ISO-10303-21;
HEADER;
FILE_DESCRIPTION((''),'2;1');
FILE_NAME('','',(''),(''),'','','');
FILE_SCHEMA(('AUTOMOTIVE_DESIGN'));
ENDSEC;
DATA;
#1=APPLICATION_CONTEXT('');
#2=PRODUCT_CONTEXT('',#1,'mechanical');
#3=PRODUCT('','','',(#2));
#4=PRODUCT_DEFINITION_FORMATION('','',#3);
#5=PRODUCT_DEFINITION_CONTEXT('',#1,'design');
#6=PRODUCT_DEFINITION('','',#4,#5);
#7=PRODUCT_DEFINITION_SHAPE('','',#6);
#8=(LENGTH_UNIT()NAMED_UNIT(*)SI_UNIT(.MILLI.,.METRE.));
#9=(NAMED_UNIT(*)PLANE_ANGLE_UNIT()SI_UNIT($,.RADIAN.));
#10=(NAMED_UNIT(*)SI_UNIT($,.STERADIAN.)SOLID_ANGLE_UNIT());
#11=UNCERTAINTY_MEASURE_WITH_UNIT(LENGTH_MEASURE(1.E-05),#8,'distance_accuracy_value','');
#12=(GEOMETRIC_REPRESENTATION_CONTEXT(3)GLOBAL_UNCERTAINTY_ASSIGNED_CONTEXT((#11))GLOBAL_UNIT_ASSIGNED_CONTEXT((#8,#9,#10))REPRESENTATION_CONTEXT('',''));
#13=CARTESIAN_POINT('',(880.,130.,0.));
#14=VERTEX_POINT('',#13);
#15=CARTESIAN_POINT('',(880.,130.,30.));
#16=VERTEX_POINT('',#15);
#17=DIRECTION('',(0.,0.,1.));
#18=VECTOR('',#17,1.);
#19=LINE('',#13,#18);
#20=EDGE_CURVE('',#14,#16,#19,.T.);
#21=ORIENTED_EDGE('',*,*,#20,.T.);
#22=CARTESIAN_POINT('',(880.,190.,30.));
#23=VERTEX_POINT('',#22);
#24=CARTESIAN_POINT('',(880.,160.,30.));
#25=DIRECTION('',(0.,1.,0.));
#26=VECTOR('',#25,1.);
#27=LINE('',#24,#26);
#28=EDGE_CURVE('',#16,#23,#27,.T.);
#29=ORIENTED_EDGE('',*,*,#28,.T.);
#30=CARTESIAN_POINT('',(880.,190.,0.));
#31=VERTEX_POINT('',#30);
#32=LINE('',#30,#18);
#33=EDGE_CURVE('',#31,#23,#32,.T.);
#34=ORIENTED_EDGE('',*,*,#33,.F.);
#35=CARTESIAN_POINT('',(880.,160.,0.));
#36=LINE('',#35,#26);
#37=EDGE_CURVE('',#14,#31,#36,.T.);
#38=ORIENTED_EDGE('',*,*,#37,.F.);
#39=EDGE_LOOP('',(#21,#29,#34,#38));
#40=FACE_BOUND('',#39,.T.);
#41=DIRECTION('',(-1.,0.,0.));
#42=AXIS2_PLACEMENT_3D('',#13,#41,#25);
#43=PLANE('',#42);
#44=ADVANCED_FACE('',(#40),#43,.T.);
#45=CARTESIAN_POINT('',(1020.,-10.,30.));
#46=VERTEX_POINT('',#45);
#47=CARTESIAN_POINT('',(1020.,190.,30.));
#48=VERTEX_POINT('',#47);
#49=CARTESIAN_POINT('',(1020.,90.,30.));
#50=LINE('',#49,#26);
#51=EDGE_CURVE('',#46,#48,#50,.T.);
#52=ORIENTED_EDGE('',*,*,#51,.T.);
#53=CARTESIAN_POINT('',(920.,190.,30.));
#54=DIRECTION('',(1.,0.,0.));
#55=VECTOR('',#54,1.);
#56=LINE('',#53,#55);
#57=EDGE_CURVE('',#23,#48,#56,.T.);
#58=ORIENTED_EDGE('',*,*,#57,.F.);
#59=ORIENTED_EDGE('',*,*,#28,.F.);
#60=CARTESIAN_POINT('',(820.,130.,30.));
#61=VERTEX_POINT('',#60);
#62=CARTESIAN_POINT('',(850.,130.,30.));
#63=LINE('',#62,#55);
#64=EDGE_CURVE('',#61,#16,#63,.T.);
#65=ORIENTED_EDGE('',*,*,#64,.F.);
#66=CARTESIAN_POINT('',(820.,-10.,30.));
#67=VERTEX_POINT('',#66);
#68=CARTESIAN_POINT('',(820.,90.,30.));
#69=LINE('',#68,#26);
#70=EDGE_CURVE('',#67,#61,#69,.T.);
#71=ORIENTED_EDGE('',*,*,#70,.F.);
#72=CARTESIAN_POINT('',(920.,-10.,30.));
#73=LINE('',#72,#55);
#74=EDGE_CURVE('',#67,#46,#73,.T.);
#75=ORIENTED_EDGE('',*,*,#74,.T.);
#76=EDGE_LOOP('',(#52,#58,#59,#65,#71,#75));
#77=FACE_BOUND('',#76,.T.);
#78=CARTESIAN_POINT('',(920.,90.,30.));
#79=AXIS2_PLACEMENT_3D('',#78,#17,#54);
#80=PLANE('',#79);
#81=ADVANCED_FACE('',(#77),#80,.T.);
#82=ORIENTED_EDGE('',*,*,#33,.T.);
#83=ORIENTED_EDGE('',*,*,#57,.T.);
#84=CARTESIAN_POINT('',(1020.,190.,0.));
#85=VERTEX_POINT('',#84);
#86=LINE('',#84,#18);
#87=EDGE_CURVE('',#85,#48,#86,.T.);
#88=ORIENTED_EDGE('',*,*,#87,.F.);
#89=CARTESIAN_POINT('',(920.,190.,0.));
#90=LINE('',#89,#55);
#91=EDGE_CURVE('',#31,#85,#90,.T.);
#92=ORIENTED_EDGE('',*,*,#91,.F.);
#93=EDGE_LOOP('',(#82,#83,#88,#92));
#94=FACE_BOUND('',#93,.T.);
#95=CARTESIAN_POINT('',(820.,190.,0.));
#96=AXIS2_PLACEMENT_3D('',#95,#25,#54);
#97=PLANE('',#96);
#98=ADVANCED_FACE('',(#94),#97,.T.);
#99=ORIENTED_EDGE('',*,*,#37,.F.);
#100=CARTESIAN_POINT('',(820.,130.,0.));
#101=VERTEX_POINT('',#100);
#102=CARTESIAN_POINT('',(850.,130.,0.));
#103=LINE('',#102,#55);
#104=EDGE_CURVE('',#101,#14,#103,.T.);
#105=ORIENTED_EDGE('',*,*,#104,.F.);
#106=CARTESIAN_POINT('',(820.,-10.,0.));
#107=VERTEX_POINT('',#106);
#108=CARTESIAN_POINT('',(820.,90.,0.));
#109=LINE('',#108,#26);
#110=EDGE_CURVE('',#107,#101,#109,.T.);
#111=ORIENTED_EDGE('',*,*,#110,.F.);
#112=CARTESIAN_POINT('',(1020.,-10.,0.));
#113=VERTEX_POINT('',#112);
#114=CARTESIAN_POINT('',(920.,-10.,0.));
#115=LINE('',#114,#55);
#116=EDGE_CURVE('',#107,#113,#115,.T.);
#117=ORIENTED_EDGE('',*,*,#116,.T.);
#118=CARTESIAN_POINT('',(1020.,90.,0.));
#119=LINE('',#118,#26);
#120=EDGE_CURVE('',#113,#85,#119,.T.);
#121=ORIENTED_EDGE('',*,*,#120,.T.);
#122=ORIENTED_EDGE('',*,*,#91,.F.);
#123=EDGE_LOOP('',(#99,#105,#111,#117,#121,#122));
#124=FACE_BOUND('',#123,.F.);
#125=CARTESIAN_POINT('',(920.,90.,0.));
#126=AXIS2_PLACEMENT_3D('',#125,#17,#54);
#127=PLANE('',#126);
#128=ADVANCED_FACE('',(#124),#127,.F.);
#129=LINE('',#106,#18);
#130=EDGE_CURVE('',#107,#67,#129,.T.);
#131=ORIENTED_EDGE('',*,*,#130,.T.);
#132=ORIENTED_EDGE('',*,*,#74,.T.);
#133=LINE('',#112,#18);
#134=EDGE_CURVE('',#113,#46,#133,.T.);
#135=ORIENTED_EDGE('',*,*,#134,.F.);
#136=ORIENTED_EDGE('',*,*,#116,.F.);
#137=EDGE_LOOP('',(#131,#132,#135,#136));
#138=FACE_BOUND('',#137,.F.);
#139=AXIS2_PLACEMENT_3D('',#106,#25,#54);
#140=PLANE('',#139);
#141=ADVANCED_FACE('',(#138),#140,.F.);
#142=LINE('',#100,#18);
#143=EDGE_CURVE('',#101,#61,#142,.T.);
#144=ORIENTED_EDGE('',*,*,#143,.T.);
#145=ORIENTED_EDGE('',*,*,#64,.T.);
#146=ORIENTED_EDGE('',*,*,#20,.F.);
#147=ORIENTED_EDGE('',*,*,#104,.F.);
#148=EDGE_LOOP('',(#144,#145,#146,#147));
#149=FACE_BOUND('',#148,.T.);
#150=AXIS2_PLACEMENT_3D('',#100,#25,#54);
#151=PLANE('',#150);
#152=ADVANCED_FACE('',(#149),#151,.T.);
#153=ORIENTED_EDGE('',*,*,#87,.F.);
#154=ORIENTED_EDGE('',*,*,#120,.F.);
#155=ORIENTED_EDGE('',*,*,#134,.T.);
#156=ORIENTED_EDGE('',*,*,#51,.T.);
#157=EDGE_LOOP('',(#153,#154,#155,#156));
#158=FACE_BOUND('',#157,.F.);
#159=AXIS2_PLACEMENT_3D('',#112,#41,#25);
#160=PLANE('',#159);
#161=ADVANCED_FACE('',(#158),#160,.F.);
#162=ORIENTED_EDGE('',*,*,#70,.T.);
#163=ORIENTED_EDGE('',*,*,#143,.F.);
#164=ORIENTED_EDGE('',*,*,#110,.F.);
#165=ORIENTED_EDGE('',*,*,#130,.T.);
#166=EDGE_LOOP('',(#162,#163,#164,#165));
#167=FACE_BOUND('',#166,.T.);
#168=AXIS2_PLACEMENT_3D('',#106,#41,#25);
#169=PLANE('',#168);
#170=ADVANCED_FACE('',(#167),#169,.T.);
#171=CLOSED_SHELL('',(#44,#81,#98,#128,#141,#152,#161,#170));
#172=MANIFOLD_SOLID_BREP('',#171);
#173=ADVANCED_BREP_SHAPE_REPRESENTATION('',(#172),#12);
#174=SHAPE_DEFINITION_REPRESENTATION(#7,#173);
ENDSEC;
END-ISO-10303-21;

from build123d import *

# Parameters (mm, degrees)
BOX005_W     = 60
BOX005_H     = 60
BOX005_DEPTH = 30
BOX004_W     = 200
BOX004_H     = 200
BOX004_DEPTH = 30


with BuildPart() as base_2_recorte:
    # Box005 → Box005 (new body)
    with BuildSketch(Plane(origin=(820, 130, 0), x_dir=(1, 0, 0), z_dir=(0, 0, 1))):
        with Locations((30, 30)):
            Rectangle(BOX005_W, BOX005_H)
    extrude(amount=BOX005_DEPTH)


with BuildPart() as cut001:
    # Box004 → Box004 (new body)
    with BuildSketch(Plane(origin=(820, -10, 0), x_dir=(1, 0, 0), z_dir=(0, 0, 1))):
        with Locations((100, 100)):
            Rectangle(BOX004_W, BOX004_H)
    extrude(amount=BOX004_DEPTH)

    # Cut001: cut base_2_recorte
    add(base_2_recorte.part, mode=Mode.SUBTRACT)


solid = cut001.part
